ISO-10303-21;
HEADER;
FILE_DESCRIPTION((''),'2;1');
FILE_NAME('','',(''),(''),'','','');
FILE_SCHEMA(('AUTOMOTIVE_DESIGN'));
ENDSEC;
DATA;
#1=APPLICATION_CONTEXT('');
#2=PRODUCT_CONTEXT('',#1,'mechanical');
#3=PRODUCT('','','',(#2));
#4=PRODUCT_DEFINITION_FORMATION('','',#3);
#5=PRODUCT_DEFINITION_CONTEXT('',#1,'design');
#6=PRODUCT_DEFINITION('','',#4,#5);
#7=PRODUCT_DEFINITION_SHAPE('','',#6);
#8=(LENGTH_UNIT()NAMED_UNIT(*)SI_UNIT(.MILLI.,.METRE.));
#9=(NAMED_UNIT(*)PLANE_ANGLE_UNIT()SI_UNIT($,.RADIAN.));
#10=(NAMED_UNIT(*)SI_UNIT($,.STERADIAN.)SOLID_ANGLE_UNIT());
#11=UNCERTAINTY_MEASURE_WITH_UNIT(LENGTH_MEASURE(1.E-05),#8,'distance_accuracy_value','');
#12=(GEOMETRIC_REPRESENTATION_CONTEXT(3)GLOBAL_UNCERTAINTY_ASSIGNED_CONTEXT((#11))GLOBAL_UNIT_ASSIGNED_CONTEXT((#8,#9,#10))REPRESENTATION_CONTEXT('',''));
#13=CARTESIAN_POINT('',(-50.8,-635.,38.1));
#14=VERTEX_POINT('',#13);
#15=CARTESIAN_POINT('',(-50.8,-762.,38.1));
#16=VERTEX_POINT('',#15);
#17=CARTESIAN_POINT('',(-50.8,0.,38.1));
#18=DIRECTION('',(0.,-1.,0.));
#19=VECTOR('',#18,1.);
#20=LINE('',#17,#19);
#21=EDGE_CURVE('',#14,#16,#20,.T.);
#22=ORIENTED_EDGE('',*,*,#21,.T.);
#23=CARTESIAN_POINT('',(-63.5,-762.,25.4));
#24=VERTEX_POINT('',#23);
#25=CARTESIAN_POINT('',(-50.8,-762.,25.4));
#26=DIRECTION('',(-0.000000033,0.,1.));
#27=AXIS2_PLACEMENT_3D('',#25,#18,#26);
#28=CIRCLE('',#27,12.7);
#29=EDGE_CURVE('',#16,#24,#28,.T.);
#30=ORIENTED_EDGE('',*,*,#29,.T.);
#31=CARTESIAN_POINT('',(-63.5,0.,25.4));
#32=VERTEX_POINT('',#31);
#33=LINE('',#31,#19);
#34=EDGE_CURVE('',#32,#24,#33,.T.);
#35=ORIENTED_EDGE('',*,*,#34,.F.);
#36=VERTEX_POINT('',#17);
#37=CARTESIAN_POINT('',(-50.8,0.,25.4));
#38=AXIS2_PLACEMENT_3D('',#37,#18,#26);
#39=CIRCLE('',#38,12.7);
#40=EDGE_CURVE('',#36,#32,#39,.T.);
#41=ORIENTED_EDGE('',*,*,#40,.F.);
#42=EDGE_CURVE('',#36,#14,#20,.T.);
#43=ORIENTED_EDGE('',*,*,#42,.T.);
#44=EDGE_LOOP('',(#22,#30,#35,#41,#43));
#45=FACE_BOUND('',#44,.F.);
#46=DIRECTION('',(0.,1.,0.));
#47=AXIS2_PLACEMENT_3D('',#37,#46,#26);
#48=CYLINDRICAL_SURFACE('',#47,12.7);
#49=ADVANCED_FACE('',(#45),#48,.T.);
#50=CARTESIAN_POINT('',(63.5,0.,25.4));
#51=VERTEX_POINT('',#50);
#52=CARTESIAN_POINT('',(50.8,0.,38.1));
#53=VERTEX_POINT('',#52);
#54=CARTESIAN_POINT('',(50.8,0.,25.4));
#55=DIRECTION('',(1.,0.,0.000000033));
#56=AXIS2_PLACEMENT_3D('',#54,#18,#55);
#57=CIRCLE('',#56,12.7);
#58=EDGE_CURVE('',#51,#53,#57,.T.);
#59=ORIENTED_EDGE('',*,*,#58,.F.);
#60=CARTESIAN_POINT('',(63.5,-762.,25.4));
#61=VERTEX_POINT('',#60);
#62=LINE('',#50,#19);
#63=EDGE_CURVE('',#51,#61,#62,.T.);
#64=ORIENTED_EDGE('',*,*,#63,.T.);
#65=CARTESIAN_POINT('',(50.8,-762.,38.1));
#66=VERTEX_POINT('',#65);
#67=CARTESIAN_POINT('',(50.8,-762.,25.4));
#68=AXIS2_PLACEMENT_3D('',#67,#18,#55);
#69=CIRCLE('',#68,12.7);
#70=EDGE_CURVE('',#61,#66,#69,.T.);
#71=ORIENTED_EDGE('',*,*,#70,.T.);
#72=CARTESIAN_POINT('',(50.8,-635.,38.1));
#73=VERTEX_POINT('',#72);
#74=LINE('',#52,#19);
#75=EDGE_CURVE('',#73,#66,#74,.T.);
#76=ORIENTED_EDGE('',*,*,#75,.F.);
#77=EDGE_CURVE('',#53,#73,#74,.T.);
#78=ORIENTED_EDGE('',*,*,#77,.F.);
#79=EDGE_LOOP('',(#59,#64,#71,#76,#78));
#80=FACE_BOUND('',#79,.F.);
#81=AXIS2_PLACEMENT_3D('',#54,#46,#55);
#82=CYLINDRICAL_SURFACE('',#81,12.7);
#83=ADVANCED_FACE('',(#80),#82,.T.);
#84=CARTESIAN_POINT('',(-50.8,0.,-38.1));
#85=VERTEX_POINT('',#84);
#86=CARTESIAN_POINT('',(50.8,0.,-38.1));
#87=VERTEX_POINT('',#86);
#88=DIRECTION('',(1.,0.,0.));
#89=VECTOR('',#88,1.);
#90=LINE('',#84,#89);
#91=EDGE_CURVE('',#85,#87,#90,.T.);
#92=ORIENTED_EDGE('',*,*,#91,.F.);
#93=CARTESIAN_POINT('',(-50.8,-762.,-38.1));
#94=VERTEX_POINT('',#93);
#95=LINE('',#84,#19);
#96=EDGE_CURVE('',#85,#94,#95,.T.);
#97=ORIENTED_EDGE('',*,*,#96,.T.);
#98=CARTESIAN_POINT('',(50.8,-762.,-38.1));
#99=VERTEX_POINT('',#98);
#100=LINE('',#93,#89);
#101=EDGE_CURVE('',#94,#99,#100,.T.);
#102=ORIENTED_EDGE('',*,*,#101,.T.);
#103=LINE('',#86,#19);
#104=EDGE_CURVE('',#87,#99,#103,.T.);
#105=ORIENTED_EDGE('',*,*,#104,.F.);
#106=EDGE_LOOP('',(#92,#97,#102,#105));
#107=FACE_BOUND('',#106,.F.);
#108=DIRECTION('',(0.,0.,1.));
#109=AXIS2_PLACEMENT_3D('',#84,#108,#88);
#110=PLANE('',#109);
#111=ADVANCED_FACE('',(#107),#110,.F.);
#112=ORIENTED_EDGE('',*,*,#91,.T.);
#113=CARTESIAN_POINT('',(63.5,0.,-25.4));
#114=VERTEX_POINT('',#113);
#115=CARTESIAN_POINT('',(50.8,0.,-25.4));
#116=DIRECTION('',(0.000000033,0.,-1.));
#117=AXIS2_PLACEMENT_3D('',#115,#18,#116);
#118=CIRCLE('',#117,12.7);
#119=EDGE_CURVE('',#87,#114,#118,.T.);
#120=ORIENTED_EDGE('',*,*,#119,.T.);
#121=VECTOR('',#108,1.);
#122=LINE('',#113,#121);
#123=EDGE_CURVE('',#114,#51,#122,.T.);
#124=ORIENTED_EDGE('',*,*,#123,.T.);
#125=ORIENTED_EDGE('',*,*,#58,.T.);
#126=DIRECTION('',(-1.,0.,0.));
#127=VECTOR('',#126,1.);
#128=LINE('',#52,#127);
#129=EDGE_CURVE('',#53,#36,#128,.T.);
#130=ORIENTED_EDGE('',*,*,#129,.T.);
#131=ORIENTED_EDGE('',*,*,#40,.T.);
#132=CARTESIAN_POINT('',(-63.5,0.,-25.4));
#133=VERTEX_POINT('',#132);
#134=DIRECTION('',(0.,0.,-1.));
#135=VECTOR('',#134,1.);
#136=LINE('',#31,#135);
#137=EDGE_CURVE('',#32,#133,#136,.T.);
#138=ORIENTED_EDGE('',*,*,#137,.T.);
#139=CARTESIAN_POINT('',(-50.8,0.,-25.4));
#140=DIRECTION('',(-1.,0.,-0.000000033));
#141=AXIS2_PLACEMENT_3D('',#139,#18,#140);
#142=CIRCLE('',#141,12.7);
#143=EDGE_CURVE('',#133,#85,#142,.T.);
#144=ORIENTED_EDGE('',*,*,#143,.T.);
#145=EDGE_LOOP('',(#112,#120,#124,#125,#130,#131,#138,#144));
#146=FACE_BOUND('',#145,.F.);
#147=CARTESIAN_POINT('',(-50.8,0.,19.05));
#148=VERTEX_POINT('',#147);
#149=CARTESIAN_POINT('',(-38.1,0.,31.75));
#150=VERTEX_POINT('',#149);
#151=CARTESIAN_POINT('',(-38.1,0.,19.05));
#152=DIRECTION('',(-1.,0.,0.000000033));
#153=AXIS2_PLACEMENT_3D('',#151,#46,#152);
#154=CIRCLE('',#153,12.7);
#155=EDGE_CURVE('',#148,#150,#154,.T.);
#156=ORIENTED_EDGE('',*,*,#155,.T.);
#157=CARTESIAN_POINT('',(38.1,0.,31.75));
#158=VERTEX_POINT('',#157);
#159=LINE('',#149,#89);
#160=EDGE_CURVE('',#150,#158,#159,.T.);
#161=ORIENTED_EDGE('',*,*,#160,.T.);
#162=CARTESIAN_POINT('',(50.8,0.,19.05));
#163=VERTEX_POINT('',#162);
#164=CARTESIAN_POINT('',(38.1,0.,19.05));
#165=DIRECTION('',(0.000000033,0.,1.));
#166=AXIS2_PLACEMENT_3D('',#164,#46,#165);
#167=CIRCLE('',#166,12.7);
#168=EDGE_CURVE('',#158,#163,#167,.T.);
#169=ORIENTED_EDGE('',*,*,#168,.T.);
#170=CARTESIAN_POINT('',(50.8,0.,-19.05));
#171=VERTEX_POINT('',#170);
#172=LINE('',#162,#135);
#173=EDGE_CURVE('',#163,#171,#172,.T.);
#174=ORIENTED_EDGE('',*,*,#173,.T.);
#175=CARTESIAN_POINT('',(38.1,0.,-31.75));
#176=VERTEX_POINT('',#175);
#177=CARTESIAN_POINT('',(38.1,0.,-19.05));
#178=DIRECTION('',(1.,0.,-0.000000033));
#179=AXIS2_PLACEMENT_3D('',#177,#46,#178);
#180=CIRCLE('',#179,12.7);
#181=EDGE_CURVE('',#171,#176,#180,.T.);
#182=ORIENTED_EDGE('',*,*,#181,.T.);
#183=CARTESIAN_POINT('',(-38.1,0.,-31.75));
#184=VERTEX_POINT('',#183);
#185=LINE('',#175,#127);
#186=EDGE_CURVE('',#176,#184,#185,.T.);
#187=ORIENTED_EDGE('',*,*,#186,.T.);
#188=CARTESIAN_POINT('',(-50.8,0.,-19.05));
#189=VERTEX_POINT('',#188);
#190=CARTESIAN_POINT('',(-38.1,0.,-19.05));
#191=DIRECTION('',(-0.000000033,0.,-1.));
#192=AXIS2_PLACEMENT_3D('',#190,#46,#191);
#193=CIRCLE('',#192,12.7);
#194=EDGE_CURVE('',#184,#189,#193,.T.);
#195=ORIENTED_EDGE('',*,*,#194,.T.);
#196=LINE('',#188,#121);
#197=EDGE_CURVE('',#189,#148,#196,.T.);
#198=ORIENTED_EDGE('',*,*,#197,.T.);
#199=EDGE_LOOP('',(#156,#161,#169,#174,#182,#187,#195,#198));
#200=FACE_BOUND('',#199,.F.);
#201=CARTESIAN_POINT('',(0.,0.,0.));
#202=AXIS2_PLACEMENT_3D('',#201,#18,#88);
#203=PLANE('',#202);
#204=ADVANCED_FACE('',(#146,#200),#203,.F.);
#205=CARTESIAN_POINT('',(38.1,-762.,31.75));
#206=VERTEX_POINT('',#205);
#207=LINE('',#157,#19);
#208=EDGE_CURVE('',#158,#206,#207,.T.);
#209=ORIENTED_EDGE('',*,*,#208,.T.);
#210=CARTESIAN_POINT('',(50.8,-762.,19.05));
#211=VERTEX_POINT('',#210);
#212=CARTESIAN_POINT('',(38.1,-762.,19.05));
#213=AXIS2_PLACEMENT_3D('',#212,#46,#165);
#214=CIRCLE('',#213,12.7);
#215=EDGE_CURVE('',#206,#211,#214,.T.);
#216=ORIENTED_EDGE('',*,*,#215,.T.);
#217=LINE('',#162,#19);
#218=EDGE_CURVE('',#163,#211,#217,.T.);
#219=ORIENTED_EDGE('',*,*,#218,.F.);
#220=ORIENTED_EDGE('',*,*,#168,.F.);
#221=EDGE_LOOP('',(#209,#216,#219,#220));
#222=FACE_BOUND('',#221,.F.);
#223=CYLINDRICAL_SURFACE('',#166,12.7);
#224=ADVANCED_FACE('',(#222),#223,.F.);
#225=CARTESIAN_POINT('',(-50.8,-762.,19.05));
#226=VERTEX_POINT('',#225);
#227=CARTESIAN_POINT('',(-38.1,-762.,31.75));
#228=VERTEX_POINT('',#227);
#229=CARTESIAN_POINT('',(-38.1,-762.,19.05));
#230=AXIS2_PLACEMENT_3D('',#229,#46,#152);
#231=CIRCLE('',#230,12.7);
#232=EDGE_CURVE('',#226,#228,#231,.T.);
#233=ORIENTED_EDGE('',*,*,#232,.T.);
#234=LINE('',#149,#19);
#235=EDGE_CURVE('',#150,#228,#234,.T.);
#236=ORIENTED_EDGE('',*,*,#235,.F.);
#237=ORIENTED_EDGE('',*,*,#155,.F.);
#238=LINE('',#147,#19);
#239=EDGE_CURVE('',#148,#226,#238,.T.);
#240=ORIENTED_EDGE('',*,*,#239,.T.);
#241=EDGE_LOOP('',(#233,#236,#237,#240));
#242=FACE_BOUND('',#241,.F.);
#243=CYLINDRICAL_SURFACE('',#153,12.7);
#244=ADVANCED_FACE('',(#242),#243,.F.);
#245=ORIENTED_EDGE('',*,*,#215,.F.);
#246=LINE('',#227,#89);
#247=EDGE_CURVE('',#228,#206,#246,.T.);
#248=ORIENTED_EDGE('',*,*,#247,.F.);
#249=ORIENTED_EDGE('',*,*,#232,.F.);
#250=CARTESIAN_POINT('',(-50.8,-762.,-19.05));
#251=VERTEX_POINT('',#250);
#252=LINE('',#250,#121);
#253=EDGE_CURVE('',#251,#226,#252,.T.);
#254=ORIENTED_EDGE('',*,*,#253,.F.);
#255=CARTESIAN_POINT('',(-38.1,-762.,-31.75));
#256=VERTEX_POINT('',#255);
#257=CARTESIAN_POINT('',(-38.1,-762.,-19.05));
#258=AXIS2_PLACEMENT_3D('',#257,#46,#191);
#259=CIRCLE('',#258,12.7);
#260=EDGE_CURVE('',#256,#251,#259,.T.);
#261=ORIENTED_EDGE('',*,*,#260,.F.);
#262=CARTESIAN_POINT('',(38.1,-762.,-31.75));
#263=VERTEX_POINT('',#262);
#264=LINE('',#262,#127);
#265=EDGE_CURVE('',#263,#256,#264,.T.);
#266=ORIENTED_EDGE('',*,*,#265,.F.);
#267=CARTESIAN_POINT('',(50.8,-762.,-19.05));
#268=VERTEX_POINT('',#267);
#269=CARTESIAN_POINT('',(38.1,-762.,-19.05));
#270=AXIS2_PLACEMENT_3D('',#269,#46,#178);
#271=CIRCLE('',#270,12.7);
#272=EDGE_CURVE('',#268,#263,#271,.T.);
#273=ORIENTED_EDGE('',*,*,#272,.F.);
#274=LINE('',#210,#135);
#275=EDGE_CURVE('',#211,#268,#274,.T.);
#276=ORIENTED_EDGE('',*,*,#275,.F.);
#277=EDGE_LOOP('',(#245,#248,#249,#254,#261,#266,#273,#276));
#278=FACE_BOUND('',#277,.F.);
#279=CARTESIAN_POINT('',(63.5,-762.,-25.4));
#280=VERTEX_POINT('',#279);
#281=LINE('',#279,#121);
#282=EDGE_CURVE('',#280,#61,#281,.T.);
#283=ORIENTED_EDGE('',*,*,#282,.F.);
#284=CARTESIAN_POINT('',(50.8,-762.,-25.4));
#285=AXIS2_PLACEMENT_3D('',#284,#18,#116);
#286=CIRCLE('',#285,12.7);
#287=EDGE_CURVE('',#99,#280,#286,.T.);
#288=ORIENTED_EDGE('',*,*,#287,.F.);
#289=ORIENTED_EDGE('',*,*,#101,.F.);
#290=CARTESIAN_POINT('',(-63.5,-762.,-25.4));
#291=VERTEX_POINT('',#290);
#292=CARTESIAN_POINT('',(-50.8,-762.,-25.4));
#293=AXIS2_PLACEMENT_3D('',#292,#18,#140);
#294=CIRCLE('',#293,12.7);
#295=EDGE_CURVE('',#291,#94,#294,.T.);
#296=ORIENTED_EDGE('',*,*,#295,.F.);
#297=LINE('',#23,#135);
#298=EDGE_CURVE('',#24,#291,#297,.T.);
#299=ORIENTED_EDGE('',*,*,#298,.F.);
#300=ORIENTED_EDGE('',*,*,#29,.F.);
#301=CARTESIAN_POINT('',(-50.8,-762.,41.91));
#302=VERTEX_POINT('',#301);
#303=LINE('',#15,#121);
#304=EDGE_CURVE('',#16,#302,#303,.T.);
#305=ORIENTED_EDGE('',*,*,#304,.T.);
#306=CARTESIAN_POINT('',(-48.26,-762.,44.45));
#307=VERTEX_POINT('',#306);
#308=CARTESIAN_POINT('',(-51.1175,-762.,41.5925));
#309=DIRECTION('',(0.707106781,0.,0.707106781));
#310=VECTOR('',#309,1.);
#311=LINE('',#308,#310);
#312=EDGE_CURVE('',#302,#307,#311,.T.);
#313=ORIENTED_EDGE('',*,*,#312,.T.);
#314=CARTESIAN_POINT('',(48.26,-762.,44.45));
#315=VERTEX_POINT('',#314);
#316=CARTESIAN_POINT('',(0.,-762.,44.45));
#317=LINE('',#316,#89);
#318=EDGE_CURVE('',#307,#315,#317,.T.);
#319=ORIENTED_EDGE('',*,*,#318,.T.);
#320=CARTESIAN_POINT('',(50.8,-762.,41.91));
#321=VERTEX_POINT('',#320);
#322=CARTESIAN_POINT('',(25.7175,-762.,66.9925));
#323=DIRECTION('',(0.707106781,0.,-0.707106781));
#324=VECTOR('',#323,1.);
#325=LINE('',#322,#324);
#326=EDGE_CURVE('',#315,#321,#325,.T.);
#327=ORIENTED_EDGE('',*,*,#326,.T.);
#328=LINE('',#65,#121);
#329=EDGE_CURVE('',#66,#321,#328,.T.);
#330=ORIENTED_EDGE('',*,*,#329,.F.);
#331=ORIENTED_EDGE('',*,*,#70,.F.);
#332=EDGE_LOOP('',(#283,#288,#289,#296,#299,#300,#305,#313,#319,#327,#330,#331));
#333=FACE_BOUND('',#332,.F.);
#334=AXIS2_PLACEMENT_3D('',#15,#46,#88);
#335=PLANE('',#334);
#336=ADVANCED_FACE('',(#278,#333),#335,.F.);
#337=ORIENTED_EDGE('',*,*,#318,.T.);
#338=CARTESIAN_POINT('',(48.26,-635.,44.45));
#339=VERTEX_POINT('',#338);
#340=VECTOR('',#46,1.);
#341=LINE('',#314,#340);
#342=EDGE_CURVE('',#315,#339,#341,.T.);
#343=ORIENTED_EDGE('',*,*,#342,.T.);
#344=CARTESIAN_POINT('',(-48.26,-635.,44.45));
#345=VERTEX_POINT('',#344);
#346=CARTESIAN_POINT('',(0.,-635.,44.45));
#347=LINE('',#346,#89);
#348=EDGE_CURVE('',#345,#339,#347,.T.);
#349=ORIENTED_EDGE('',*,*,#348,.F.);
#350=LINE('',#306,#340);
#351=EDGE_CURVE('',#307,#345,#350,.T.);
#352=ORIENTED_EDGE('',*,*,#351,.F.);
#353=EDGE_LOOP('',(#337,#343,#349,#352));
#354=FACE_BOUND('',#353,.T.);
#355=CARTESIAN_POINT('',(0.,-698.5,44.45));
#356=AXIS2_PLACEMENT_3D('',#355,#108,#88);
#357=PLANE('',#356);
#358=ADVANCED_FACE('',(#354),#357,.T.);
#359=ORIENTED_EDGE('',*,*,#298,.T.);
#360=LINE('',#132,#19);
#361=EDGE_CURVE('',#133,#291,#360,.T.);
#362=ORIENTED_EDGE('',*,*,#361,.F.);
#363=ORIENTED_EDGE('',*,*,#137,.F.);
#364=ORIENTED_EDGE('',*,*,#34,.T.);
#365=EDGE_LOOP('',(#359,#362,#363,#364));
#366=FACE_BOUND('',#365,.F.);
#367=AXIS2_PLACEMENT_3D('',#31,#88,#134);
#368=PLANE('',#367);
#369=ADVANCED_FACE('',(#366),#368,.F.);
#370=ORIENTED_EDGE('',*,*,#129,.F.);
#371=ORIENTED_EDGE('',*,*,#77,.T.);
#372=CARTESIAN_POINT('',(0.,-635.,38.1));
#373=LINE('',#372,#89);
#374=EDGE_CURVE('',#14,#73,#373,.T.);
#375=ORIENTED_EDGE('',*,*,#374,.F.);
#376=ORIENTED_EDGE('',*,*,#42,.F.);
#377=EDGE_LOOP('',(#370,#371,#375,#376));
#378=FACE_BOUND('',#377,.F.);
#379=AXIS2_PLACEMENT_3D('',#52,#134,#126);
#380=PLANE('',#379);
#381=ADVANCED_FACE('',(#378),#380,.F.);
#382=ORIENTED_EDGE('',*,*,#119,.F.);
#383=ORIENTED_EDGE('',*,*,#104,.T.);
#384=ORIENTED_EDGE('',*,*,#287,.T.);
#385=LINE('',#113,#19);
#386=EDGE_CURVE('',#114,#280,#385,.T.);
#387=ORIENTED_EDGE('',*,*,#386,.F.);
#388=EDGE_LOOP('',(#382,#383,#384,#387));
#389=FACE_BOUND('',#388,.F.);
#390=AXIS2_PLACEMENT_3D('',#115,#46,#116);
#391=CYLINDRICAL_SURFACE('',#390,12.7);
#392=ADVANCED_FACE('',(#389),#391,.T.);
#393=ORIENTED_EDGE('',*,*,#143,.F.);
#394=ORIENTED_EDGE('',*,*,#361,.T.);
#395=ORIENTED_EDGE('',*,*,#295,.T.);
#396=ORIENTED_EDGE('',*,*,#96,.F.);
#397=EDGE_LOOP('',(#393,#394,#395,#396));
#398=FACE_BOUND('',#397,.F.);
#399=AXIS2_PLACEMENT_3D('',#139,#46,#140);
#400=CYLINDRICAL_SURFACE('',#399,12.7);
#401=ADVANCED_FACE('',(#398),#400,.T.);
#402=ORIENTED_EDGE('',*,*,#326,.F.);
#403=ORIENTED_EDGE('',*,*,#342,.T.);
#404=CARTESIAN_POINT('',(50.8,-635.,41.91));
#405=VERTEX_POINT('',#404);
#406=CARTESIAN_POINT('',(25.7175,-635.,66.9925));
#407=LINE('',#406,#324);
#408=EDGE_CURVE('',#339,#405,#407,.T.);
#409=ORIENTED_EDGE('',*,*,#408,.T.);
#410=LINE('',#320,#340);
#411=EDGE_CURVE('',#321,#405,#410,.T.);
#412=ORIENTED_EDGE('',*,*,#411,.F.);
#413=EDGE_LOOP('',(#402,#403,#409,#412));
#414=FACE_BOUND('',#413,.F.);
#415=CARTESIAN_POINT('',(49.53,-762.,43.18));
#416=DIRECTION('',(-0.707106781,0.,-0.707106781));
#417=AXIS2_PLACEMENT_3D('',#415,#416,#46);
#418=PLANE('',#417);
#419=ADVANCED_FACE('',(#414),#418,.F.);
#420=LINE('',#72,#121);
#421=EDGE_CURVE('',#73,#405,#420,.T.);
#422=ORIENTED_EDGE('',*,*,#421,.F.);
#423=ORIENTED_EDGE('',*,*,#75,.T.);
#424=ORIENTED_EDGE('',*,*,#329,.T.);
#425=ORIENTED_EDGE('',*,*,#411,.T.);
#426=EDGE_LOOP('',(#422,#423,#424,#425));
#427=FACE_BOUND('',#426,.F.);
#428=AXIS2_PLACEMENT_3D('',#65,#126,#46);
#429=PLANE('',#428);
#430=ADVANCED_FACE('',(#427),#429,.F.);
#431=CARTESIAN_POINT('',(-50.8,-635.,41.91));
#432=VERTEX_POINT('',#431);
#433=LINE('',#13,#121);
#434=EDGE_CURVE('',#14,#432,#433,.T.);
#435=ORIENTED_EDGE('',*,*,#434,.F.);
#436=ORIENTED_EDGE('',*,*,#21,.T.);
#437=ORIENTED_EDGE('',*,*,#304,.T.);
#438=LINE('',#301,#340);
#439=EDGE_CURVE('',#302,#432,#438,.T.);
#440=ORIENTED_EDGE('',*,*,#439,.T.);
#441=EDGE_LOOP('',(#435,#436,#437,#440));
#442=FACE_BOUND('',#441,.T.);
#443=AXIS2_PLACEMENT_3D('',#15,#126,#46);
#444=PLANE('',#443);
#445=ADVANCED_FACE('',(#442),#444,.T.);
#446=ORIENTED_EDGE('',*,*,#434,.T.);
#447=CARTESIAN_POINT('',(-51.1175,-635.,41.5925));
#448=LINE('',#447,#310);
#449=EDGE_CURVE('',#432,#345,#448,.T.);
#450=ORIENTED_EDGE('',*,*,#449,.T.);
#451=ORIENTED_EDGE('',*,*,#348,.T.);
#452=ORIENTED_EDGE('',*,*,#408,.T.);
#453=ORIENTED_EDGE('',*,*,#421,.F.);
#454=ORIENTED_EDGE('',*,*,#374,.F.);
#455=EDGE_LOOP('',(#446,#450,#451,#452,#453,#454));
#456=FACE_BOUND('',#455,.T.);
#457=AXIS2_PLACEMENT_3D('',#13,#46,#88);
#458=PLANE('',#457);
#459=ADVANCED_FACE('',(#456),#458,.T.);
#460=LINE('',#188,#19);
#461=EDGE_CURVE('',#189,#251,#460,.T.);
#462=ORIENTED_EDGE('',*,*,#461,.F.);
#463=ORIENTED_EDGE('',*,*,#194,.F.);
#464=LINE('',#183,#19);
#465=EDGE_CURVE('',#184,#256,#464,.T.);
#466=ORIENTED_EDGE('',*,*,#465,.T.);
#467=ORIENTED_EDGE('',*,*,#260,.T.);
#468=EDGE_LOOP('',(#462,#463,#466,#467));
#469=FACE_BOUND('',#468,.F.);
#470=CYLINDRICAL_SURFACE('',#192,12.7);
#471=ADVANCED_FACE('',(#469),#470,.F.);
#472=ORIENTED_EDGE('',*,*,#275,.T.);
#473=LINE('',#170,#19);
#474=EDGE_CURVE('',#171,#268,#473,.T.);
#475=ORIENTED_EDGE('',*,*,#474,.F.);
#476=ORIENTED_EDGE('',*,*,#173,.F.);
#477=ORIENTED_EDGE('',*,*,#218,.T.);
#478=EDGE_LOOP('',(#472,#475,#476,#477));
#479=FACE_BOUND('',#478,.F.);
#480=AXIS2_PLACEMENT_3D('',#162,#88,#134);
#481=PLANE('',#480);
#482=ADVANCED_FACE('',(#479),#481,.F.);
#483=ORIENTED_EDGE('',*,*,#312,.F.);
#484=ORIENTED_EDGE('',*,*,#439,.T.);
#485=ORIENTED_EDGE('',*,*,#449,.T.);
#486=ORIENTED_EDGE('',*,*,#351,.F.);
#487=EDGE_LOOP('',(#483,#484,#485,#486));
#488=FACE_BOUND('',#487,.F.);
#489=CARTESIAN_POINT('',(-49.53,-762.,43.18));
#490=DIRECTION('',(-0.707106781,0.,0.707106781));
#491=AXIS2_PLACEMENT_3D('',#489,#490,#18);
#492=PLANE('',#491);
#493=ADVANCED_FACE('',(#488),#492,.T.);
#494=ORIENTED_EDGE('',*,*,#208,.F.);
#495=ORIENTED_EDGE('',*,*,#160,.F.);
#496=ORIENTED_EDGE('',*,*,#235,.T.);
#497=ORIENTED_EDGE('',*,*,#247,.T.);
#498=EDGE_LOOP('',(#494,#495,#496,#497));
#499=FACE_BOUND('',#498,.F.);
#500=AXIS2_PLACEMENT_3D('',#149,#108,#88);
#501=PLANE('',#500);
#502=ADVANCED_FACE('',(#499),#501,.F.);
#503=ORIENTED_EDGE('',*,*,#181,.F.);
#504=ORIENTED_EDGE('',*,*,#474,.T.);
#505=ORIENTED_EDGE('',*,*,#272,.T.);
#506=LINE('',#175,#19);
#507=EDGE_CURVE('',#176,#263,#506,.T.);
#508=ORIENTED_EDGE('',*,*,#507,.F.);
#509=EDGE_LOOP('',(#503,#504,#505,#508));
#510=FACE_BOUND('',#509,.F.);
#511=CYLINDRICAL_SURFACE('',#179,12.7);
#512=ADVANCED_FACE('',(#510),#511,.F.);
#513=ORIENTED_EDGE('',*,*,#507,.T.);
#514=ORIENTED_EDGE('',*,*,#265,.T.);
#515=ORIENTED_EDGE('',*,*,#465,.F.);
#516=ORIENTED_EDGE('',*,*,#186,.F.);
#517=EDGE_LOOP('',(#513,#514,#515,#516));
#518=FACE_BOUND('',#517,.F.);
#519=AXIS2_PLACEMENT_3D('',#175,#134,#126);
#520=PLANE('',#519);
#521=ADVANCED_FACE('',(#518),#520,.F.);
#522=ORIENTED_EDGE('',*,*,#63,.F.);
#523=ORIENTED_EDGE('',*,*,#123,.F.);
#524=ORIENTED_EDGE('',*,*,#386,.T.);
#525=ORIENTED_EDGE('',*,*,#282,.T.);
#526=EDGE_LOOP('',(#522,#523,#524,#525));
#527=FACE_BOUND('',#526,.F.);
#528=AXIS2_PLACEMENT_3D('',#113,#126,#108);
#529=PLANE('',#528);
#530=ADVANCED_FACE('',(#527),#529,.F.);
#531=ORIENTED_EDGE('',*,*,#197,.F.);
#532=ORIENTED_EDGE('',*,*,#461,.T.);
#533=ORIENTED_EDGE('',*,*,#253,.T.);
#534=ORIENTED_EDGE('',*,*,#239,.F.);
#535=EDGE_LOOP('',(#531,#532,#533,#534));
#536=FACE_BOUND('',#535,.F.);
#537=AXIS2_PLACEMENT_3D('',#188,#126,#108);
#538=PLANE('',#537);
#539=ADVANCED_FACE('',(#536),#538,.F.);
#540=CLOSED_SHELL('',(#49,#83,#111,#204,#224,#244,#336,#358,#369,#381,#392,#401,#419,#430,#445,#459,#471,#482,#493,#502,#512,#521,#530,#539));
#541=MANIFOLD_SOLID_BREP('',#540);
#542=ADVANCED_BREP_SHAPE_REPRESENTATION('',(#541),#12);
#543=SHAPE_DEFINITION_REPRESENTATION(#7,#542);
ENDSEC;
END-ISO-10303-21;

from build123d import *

# Parameters (mm, degrees)
F1_DEPTH = 762
F2_W     = 101.6
F2_H     = 127
F3_DEPTH = 6.35
F4_SIZE  = 2.54


with BuildPart() as f1:
    # F0 (on Front) → F1 (new body)
    with BuildSketch(Plane.XZ):
        with BuildLine():
            ThreePointArc((63.5, 25.4), (59.780256, 34.380256), (50.8, 38.1))
            Line((50.8, 38.1), (-50.8, 38.1))
            ThreePointArc((-50.8, 38.1), (-59.780256, 34.380256), (-63.5, 25.4))
            Line((-63.5, 25.4), (-63.5, -25.4))
            ThreePointArc((-63.5, -25.4), (-59.780256, -34.380256), (-50.8, -38.1))
            Line((-50.8, -38.1), (50.8, -38.1))
            ThreePointArc((50.8, -38.1), (59.780256, -34.380256), (63.5, -25.4))
            Line((63.5, -25.4), (63.5, 25.4))
        make_face()
        with BuildLine():
            Line((-38.1, 31.75), (38.1, 31.75))
            ThreePointArc((38.1, 31.75), (47.080256, 28.030256), (50.8, 19.05))
            Line((50.8, 19.05), (50.8, -19.05))
            ThreePointArc((50.8, -19.05), (47.080256, -28.030256), (38.1, -31.75))
            Line((38.1, -31.75), (-38.1, -31.75))
            ThreePointArc((-38.1, -31.75), (-47.080256, -28.030256), (-50.8, -19.05))
            Line((-50.8, -19.05), (-50.8, 19.05))
            ThreePointArc((-50.8, 19.05), (-47.080256, 28.030256), (-38.1, 31.75))
        make_face(mode=Mode.SUBTRACT)
    extrude(amount=F1_DEPTH)

    # F2 (on face) → F3 (join)
    with BuildSketch(Plane.XY.offset(38.1)):
        with Locations((0, -698.5)):
            Rectangle(F2_W, F2_H)
    extrude(amount=F3_DEPTH)

    # F4
    f4_edges = [f1.edges().sort_by_distance(p)[0] for p in [
        (50.8, -698.5, 44.45),
        (-50.8, -698.5, 44.45),
    ]]
    chamfer(f4_edges, length=F4_SIZE)


solid = f1.part
